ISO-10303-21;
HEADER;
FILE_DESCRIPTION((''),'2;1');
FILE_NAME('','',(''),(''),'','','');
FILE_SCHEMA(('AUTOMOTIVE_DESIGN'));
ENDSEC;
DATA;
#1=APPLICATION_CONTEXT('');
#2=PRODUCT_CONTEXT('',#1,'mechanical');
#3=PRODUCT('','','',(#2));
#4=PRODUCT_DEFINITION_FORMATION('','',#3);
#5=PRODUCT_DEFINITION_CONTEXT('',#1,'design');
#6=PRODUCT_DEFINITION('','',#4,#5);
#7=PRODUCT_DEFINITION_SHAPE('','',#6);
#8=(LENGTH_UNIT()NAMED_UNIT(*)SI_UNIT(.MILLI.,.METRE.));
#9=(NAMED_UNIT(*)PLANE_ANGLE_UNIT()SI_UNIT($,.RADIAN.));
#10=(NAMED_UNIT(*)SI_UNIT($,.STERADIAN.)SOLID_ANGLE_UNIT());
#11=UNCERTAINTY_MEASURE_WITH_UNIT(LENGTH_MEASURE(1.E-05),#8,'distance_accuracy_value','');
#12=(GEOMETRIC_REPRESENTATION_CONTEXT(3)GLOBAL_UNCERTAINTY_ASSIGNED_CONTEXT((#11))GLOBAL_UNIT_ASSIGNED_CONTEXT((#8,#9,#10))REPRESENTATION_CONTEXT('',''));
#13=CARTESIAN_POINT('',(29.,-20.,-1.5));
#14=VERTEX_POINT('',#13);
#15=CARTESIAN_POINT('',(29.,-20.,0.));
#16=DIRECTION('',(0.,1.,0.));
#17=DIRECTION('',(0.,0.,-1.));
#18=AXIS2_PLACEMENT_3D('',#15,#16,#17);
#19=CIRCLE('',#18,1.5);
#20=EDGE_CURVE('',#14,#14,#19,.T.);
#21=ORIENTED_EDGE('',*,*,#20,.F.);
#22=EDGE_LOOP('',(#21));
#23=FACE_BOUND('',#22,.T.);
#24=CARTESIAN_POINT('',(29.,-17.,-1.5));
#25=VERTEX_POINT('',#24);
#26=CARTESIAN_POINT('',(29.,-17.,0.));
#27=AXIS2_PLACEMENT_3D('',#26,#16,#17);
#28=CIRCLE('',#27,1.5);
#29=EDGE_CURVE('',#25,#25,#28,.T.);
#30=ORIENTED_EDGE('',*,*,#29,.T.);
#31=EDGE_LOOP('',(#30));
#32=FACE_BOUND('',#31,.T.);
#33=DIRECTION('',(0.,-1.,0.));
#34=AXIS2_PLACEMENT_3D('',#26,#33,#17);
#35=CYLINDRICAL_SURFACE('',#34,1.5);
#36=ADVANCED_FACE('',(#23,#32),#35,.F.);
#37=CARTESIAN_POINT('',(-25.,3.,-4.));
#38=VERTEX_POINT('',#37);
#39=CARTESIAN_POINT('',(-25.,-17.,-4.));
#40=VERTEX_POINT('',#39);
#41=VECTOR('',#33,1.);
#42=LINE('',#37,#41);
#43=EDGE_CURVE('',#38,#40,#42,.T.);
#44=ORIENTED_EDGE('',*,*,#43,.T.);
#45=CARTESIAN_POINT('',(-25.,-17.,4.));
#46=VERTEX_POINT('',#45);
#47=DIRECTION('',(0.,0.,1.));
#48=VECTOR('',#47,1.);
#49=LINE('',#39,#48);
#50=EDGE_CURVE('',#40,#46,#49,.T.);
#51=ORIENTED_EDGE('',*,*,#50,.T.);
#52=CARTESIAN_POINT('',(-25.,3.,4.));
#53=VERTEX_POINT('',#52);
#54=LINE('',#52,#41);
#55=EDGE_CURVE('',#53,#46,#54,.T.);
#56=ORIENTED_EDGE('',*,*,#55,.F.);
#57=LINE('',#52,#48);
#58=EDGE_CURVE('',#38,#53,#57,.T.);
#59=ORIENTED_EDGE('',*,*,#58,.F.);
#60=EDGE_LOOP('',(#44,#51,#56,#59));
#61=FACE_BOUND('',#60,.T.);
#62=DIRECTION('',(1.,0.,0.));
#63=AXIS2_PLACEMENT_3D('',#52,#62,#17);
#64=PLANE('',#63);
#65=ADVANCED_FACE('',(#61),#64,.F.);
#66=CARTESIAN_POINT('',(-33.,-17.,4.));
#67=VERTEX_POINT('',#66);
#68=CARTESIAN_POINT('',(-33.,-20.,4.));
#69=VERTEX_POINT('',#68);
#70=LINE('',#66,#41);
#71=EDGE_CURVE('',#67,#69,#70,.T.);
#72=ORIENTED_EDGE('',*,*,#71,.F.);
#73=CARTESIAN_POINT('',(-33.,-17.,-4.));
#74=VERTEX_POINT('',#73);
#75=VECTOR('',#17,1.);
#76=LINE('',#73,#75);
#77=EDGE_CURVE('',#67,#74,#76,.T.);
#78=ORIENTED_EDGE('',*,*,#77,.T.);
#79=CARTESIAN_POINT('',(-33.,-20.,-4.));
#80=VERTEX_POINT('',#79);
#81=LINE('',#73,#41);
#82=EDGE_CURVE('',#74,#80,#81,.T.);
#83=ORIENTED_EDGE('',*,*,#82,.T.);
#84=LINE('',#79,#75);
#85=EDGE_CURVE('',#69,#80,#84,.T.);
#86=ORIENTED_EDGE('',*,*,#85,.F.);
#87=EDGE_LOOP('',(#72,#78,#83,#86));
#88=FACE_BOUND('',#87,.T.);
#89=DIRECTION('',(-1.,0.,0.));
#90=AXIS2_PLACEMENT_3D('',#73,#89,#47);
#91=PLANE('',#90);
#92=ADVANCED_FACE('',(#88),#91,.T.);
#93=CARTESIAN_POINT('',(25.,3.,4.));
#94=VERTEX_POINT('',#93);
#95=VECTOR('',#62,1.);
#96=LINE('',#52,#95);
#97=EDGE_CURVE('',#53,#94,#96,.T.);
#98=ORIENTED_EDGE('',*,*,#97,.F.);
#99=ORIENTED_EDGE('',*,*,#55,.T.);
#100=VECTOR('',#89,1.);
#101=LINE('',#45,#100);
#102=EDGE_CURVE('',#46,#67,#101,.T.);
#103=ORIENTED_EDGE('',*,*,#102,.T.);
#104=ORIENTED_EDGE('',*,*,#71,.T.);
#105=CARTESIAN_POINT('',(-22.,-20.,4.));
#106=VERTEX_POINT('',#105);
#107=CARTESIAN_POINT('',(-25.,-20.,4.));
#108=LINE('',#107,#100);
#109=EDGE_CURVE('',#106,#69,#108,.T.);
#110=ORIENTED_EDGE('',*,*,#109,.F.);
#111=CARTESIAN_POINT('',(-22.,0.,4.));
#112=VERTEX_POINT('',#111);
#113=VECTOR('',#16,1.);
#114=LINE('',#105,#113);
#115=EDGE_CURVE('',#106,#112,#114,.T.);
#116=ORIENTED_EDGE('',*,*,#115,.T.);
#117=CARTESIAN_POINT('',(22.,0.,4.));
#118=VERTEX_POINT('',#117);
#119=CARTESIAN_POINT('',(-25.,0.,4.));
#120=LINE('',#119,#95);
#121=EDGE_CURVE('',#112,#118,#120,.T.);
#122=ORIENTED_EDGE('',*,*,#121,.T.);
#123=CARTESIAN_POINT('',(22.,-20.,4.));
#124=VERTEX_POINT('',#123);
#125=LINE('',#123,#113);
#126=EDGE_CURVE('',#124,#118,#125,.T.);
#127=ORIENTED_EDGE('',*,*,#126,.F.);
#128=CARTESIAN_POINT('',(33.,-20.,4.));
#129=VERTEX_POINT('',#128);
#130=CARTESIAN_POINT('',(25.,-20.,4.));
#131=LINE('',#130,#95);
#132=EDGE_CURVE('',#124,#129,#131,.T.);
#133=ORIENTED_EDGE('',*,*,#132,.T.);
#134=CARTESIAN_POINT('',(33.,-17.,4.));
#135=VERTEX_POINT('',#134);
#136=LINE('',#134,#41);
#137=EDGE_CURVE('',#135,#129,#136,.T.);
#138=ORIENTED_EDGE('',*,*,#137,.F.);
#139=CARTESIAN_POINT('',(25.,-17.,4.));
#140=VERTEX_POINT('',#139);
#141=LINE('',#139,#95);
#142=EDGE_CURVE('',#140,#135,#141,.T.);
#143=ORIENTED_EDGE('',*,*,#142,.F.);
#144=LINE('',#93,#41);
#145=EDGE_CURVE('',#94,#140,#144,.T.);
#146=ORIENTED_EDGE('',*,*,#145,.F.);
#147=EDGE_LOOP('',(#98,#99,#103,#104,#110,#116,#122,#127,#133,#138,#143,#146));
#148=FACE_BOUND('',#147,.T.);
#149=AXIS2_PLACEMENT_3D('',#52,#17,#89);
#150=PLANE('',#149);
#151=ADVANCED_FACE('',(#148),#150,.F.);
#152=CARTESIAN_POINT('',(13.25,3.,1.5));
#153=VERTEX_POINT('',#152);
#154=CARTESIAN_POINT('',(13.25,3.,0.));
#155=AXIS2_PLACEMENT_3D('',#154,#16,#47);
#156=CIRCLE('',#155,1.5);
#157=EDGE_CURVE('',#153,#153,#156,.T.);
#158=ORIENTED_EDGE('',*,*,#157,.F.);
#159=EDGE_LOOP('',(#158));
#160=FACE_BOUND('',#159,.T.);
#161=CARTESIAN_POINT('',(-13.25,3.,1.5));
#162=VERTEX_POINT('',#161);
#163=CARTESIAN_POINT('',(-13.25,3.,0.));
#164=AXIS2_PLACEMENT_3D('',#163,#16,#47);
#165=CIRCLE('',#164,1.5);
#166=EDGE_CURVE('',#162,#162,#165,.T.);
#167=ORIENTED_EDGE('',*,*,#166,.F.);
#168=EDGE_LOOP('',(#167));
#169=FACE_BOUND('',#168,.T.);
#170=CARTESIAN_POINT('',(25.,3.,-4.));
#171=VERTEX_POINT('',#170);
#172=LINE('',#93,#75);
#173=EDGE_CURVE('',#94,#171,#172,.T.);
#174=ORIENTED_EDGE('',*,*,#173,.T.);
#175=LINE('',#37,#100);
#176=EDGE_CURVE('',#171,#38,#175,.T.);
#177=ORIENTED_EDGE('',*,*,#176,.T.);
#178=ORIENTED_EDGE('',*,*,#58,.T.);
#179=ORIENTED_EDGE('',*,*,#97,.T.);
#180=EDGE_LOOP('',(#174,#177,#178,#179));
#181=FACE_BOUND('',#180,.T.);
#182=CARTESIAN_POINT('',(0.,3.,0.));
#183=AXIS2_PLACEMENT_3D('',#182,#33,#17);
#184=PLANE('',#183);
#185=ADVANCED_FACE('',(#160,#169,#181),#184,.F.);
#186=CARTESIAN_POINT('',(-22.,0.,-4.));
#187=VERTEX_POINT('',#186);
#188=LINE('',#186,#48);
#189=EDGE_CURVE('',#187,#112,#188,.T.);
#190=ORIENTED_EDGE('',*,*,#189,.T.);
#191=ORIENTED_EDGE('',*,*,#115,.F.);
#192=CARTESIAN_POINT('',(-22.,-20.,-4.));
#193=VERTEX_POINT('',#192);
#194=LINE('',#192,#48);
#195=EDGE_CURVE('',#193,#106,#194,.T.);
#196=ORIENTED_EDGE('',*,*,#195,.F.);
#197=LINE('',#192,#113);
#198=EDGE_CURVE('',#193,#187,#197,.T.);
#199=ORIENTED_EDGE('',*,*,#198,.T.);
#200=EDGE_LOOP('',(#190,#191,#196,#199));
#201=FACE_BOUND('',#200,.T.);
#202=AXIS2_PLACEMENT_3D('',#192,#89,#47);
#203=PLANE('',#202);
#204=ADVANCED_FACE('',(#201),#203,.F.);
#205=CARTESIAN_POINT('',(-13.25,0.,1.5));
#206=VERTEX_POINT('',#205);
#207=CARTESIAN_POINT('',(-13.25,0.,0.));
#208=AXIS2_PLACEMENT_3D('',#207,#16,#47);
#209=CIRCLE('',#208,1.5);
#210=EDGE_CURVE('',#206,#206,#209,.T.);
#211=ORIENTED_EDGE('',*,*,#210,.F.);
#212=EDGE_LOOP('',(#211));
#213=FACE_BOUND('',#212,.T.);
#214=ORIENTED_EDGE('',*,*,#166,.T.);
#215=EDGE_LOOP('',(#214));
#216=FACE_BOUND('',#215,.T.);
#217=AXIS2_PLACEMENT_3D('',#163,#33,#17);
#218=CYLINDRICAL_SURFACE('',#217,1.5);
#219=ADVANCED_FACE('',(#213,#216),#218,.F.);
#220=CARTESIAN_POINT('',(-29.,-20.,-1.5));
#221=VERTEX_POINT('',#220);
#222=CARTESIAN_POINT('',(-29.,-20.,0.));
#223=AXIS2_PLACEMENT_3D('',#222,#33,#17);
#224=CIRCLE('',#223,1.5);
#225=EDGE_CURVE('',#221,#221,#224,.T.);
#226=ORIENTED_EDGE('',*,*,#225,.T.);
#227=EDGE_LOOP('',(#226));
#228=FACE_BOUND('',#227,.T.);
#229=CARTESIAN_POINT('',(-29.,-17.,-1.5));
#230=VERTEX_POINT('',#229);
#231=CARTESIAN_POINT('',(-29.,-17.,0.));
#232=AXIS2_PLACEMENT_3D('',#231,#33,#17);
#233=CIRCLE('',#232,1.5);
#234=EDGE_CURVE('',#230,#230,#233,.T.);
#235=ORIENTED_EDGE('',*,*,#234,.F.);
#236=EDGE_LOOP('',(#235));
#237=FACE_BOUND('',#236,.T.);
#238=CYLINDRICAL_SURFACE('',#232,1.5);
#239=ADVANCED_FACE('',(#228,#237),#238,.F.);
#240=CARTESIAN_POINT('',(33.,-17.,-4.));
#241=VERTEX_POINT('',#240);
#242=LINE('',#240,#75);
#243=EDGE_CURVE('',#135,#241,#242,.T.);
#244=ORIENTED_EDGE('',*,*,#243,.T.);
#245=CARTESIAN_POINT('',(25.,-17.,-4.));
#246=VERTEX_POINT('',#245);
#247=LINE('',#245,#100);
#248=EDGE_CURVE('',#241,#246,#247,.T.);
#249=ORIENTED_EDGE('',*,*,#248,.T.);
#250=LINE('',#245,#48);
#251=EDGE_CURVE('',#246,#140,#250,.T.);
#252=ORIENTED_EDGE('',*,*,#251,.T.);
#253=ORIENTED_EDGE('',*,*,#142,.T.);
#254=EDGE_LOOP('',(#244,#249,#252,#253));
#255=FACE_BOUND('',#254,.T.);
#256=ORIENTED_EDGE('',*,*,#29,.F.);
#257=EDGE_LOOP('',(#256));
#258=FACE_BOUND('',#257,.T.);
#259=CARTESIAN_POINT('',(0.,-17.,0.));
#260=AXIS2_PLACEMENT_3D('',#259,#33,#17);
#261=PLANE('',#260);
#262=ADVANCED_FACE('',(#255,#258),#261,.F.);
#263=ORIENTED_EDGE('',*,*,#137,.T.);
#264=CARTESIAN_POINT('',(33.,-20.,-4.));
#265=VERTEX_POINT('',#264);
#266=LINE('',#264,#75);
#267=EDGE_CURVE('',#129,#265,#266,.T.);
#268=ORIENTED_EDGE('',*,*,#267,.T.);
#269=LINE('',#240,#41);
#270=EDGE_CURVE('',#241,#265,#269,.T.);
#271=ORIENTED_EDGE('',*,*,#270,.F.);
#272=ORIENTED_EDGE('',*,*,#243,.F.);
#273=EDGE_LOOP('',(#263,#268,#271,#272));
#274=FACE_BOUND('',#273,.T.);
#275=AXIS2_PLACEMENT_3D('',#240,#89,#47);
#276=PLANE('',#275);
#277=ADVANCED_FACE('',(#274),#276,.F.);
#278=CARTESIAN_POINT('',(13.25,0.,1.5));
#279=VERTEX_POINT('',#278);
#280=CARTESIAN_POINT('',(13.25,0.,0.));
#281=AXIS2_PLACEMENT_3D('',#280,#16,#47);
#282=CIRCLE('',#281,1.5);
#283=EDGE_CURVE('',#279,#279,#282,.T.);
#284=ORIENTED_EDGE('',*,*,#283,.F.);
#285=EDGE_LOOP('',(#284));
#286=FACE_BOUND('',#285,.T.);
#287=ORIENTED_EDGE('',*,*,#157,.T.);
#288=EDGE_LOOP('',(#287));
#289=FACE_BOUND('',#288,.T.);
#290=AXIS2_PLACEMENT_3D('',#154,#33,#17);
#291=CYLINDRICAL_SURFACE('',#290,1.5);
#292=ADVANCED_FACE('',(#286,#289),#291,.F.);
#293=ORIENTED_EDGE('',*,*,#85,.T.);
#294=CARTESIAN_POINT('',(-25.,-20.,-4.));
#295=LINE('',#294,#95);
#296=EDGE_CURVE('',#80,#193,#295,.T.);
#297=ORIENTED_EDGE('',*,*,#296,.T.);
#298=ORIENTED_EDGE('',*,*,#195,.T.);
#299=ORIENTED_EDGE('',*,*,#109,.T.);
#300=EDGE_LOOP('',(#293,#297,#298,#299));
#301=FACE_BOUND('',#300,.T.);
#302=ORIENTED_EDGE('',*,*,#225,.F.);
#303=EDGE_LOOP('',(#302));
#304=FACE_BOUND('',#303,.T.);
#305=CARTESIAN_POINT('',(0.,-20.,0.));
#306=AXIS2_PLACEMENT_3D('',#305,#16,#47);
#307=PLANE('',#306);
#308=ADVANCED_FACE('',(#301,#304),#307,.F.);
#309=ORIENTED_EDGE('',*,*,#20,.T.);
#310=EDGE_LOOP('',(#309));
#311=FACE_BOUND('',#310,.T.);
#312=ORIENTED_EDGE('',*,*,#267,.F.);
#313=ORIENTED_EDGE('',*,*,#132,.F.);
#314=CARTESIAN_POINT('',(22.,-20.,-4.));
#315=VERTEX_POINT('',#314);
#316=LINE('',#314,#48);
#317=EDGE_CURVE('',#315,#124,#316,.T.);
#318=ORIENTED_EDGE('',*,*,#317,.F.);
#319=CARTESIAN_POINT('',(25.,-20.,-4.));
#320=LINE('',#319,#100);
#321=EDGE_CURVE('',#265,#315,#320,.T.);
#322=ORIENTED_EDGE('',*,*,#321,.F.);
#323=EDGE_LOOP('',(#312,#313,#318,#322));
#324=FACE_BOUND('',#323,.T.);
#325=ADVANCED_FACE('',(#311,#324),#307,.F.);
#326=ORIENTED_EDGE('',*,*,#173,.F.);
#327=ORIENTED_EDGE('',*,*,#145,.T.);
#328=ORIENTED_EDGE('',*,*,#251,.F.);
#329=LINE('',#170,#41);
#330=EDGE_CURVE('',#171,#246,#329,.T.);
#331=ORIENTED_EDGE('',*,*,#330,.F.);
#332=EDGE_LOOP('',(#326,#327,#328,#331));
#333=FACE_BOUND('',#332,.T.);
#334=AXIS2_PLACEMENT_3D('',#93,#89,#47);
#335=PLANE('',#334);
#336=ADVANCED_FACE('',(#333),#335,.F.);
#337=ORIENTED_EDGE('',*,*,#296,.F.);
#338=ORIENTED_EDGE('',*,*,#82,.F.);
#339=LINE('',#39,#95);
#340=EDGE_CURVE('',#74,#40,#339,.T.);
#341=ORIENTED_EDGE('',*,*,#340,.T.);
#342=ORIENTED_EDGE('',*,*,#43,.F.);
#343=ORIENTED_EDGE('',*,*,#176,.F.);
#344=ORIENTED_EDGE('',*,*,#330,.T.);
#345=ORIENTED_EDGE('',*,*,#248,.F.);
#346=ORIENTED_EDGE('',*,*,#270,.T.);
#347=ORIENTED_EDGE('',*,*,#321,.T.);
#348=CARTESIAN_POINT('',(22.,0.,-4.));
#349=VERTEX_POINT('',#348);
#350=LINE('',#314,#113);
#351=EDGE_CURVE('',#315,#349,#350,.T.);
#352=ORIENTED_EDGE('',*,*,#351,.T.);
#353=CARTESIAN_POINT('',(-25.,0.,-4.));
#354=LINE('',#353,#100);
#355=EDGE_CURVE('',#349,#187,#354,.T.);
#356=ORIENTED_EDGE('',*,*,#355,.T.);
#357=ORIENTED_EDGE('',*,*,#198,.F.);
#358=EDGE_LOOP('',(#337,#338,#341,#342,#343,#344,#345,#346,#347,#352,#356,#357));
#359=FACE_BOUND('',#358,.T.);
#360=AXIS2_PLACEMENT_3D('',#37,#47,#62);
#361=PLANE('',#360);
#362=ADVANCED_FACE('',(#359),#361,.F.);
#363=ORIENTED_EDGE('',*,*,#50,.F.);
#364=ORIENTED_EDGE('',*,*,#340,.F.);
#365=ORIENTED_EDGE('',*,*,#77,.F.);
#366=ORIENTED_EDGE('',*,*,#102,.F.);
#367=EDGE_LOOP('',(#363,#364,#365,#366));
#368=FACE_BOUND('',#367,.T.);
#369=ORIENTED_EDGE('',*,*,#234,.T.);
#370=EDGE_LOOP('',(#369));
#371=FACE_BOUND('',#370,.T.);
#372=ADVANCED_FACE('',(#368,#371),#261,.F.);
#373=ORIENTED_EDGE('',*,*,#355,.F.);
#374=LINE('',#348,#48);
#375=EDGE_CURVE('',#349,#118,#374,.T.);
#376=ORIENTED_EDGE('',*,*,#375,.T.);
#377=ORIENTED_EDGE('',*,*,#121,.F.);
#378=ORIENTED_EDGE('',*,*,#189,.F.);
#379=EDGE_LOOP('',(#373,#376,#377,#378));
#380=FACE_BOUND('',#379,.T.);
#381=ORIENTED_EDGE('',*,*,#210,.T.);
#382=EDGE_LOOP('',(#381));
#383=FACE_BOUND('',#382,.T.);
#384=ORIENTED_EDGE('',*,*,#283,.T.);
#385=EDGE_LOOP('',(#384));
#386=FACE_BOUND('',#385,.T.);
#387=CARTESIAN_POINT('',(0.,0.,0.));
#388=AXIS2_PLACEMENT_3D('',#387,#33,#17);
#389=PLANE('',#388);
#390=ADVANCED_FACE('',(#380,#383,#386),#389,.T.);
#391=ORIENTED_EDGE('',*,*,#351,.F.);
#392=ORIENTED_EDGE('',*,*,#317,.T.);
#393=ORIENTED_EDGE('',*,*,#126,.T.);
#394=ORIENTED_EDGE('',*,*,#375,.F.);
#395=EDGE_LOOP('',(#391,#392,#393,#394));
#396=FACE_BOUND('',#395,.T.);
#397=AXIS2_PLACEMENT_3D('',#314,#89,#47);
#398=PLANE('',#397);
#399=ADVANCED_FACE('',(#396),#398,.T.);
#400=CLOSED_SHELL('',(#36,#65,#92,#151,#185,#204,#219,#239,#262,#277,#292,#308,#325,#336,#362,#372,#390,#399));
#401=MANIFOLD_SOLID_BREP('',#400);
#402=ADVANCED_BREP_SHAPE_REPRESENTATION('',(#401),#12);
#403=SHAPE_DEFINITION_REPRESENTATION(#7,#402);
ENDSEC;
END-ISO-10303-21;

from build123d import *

# Parameters (mm, degrees)
SKETCH1_W           = 50
SKETCH1_H           = 8
SKETCH1_R           = 1.5
BOSS_EXTRUDE1_DEPTH = 3
SKETCH2_W           = 3
SKETCH2_H           = 8
BOSS_EXTRUDE2_DEPTH = 20
SKETCH3_W           = 8
SKETCH3_H           = 8
SKETCH3_R           = 1.5
BOSS_EXTRUDE3_DEPTH = 3


with BuildPart() as part:
    # Sketch1 → Boss-Extrude1 (new body)
    with BuildSketch(Plane(origin=(0, 0, 0), x_dir=(1, 0, 0), z_dir=(0, 1, 0))):
        Rectangle(SKETCH1_W, SKETCH1_H)
        with Locations(Location((-13.25, 0, 0), (0, 0, 270))):
            Circle(SKETCH1_R, mode=Mode.SUBTRACT)
        with Locations(Location((13.25, 0, 0), (0, 0, 270))):
            Circle(SKETCH1_R, mode=Mode.SUBTRACT)
    extrude(amount=BOSS_EXTRUDE1_DEPTH)

    # Sketch2 → Boss-Extrude2 (add)
    with BuildSketch(Plane.XZ):
        with Locations((-23.5, 0)):
            Rectangle(SKETCH2_W, SKETCH2_H)
    boss_extrude2 = extrude(amount=BOSS_EXTRUDE2_DEPTH)

    # Sketch3 → Boss-Extrude3 (add)
    with BuildSketch(Plane(origin=(0, -20, 0), x_dir=(-1, 0, 0), z_dir=(0, -1, 0))):
        with Locations((29, 0)):
            Rectangle(SKETCH3_W, SKETCH3_H)
        with Locations(Location((29, 0, 0), (0, 0, 90))):
            Circle(SKETCH3_R, mode=Mode.SUBTRACT)
    boss_extrude3 = extrude(amount=-BOSS_EXTRUDE3_DEPTH)

    # Mirror1: Boss-Extrude2, Boss-Extrude3 across plane
    add(boss_extrude2.mirror(Plane(origin=(0, 0, 0), x_dir=(0, 0, 1), z_dir=(1, 0, 0))))
    add(boss_extrude3.mirror(Plane(origin=(0, 0, 0), x_dir=(0, 0, 1), z_dir=(1, 0, 0))))


solid = part.part
